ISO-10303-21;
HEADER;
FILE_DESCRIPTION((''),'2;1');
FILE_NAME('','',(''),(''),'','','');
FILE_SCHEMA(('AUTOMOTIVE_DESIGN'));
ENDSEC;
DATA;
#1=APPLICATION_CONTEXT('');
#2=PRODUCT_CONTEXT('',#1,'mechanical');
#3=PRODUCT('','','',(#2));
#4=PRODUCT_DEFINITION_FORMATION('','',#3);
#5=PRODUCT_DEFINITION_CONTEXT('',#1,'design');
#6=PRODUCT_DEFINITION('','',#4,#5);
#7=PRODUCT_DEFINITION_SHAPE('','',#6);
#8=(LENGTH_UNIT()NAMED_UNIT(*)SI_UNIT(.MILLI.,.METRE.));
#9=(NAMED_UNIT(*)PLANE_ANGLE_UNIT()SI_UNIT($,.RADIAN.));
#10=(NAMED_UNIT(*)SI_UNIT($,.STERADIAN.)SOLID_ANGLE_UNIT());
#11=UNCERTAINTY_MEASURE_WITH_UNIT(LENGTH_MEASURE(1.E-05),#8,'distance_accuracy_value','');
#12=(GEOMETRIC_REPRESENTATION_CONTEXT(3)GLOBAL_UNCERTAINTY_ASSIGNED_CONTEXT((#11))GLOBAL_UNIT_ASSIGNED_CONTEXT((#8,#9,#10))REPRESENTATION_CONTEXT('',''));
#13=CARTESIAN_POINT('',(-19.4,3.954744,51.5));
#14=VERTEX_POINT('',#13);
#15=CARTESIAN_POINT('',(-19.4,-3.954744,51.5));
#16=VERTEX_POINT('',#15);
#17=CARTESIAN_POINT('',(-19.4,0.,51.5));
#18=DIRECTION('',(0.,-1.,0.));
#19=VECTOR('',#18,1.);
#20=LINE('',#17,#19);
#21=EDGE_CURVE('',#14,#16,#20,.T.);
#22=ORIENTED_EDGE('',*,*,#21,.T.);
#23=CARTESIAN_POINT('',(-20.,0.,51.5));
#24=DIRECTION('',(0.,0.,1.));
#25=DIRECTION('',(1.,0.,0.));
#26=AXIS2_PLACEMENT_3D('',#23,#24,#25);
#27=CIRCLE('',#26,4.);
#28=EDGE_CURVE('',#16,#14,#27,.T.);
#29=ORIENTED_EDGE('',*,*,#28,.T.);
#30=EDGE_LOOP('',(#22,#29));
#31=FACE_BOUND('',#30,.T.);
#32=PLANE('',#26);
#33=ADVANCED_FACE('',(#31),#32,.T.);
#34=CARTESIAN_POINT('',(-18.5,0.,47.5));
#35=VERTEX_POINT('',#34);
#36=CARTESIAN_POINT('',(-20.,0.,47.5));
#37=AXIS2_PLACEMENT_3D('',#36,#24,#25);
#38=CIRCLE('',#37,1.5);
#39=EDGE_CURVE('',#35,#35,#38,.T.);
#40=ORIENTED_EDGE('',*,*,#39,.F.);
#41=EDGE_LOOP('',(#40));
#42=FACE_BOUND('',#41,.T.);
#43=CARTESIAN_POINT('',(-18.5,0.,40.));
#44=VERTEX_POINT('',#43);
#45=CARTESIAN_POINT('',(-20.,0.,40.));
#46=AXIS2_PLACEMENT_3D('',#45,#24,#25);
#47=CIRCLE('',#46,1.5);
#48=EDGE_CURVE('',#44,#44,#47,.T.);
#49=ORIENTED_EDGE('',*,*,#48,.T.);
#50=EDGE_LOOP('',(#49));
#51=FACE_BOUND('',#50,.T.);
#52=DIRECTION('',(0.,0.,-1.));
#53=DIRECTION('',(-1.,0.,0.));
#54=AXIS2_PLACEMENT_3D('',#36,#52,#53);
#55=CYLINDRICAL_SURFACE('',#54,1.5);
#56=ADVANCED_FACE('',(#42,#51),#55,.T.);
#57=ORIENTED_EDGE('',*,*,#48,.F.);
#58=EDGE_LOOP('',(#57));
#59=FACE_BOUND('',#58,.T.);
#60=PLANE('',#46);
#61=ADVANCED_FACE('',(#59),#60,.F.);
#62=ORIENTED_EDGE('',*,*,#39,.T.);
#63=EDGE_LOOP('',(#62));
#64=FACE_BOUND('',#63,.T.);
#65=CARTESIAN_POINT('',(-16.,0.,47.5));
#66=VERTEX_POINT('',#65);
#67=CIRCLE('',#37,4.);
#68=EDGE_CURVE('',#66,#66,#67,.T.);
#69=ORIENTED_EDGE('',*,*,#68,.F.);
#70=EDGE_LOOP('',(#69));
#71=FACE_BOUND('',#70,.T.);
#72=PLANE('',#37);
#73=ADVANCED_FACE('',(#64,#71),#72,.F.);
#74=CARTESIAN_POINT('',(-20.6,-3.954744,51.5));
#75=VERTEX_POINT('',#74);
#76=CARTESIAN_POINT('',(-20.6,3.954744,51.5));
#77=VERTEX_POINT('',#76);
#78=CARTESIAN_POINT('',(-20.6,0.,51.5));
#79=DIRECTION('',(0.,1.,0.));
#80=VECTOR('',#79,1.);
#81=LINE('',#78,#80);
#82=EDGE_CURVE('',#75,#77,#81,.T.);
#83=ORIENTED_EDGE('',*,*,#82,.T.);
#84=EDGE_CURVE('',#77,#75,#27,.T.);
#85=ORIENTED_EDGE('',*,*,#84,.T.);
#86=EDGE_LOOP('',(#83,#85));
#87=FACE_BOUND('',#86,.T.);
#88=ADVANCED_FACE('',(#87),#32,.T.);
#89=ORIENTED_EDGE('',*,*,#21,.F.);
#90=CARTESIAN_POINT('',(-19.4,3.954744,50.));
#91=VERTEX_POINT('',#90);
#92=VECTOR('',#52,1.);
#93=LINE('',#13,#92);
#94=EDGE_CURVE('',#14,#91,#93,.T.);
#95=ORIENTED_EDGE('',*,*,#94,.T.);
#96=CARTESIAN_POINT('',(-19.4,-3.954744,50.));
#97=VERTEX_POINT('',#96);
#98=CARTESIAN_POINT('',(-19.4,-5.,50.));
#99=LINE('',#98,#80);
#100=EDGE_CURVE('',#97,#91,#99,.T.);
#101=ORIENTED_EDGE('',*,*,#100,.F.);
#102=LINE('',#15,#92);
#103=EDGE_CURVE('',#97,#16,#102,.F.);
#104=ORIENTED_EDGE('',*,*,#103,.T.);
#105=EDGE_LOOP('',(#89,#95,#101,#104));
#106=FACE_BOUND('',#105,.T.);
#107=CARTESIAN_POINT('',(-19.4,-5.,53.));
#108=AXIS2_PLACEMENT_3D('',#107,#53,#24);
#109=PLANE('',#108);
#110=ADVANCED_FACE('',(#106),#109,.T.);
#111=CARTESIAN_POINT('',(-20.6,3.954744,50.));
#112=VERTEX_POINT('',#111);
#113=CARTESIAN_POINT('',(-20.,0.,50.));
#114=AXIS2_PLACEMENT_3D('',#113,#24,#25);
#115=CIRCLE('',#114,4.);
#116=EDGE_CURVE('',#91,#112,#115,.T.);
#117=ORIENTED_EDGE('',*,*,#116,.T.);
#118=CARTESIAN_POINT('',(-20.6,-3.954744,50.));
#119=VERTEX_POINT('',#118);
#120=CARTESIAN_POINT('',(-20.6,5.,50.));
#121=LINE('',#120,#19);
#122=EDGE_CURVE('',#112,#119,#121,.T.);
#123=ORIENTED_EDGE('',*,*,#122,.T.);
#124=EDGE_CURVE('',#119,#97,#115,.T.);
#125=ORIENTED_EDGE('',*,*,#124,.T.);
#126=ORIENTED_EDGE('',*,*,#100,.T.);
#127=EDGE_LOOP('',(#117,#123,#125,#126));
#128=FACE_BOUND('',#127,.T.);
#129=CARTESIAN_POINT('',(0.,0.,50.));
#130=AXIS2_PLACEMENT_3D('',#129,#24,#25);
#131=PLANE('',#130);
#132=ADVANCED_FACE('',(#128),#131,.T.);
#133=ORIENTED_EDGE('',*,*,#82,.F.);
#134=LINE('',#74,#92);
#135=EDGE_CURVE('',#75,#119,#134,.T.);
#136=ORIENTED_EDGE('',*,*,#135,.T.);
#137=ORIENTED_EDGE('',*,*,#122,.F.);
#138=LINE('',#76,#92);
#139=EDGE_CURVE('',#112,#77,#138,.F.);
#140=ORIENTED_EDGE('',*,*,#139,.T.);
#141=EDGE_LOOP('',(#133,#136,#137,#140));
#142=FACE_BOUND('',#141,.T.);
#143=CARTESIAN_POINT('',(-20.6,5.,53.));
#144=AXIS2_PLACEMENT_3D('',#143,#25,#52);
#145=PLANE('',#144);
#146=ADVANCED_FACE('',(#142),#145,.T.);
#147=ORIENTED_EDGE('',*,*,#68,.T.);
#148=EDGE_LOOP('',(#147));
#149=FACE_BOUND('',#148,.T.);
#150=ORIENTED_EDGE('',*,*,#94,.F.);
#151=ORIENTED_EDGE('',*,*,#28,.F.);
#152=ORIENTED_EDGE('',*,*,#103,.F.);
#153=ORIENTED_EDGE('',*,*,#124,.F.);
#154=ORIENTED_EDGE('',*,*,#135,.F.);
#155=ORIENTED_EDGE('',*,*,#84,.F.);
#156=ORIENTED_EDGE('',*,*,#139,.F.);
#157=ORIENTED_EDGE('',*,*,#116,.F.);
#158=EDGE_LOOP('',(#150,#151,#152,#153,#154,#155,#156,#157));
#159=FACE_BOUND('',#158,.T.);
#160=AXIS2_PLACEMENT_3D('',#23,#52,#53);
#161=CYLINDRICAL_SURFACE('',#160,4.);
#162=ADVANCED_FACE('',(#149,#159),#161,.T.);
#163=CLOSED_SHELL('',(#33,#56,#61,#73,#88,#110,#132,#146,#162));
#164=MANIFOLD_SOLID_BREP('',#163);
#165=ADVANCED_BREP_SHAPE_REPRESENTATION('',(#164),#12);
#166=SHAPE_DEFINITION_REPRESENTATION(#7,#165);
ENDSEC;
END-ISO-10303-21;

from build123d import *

# Parameters (mm, degrees)
M3_THREAD_ENVELOPE_SELECT_HARDWARE_START = 40
SKETCH1_R                                = 1.5
M3_THREAD_ENVELOPE_SELECT_HARDWARE_DEPTH = 7.5
THUMB_HEAD_START                         = 47.5
SKETCH2_R                                = 4
THUMB_HEAD_DEPTH                         = 4
DRIVER_SLOT_START                        = 50
SKETCH3_W                                = 1.2
SKETCH3_H                                = 10
DRIVER_SLOT_DEPTH                        = 3


with BuildPart() as part:
    # Sketch1 → M3_thread_envelope_select_hardware (new body)
    with BuildSketch(Plane.XY.offset(M3_THREAD_ENVELOPE_SELECT_HARDWARE_START)):
        with Locations((-20, 0)):
            Circle(SKETCH1_R)
    extrude(amount=M3_THREAD_ENVELOPE_SELECT_HARDWARE_DEPTH)

    # Sketch2 → Thumb_head (add)
    with BuildSketch(Plane.XY.offset(THUMB_HEAD_START)):
        with Locations((-20, 0)):
            Circle(SKETCH2_R)
    extrude(amount=THUMB_HEAD_DEPTH)

    # Sketch3 → Driver_slot (cut)
    with BuildSketch(Plane.XY.offset(DRIVER_SLOT_START)):
        with Locations((-20, 0)):
            Rectangle(SKETCH3_W, SKETCH3_H)
    extrude(amount=DRIVER_SLOT_DEPTH, mode=Mode.SUBTRACT)


solid = part.part
